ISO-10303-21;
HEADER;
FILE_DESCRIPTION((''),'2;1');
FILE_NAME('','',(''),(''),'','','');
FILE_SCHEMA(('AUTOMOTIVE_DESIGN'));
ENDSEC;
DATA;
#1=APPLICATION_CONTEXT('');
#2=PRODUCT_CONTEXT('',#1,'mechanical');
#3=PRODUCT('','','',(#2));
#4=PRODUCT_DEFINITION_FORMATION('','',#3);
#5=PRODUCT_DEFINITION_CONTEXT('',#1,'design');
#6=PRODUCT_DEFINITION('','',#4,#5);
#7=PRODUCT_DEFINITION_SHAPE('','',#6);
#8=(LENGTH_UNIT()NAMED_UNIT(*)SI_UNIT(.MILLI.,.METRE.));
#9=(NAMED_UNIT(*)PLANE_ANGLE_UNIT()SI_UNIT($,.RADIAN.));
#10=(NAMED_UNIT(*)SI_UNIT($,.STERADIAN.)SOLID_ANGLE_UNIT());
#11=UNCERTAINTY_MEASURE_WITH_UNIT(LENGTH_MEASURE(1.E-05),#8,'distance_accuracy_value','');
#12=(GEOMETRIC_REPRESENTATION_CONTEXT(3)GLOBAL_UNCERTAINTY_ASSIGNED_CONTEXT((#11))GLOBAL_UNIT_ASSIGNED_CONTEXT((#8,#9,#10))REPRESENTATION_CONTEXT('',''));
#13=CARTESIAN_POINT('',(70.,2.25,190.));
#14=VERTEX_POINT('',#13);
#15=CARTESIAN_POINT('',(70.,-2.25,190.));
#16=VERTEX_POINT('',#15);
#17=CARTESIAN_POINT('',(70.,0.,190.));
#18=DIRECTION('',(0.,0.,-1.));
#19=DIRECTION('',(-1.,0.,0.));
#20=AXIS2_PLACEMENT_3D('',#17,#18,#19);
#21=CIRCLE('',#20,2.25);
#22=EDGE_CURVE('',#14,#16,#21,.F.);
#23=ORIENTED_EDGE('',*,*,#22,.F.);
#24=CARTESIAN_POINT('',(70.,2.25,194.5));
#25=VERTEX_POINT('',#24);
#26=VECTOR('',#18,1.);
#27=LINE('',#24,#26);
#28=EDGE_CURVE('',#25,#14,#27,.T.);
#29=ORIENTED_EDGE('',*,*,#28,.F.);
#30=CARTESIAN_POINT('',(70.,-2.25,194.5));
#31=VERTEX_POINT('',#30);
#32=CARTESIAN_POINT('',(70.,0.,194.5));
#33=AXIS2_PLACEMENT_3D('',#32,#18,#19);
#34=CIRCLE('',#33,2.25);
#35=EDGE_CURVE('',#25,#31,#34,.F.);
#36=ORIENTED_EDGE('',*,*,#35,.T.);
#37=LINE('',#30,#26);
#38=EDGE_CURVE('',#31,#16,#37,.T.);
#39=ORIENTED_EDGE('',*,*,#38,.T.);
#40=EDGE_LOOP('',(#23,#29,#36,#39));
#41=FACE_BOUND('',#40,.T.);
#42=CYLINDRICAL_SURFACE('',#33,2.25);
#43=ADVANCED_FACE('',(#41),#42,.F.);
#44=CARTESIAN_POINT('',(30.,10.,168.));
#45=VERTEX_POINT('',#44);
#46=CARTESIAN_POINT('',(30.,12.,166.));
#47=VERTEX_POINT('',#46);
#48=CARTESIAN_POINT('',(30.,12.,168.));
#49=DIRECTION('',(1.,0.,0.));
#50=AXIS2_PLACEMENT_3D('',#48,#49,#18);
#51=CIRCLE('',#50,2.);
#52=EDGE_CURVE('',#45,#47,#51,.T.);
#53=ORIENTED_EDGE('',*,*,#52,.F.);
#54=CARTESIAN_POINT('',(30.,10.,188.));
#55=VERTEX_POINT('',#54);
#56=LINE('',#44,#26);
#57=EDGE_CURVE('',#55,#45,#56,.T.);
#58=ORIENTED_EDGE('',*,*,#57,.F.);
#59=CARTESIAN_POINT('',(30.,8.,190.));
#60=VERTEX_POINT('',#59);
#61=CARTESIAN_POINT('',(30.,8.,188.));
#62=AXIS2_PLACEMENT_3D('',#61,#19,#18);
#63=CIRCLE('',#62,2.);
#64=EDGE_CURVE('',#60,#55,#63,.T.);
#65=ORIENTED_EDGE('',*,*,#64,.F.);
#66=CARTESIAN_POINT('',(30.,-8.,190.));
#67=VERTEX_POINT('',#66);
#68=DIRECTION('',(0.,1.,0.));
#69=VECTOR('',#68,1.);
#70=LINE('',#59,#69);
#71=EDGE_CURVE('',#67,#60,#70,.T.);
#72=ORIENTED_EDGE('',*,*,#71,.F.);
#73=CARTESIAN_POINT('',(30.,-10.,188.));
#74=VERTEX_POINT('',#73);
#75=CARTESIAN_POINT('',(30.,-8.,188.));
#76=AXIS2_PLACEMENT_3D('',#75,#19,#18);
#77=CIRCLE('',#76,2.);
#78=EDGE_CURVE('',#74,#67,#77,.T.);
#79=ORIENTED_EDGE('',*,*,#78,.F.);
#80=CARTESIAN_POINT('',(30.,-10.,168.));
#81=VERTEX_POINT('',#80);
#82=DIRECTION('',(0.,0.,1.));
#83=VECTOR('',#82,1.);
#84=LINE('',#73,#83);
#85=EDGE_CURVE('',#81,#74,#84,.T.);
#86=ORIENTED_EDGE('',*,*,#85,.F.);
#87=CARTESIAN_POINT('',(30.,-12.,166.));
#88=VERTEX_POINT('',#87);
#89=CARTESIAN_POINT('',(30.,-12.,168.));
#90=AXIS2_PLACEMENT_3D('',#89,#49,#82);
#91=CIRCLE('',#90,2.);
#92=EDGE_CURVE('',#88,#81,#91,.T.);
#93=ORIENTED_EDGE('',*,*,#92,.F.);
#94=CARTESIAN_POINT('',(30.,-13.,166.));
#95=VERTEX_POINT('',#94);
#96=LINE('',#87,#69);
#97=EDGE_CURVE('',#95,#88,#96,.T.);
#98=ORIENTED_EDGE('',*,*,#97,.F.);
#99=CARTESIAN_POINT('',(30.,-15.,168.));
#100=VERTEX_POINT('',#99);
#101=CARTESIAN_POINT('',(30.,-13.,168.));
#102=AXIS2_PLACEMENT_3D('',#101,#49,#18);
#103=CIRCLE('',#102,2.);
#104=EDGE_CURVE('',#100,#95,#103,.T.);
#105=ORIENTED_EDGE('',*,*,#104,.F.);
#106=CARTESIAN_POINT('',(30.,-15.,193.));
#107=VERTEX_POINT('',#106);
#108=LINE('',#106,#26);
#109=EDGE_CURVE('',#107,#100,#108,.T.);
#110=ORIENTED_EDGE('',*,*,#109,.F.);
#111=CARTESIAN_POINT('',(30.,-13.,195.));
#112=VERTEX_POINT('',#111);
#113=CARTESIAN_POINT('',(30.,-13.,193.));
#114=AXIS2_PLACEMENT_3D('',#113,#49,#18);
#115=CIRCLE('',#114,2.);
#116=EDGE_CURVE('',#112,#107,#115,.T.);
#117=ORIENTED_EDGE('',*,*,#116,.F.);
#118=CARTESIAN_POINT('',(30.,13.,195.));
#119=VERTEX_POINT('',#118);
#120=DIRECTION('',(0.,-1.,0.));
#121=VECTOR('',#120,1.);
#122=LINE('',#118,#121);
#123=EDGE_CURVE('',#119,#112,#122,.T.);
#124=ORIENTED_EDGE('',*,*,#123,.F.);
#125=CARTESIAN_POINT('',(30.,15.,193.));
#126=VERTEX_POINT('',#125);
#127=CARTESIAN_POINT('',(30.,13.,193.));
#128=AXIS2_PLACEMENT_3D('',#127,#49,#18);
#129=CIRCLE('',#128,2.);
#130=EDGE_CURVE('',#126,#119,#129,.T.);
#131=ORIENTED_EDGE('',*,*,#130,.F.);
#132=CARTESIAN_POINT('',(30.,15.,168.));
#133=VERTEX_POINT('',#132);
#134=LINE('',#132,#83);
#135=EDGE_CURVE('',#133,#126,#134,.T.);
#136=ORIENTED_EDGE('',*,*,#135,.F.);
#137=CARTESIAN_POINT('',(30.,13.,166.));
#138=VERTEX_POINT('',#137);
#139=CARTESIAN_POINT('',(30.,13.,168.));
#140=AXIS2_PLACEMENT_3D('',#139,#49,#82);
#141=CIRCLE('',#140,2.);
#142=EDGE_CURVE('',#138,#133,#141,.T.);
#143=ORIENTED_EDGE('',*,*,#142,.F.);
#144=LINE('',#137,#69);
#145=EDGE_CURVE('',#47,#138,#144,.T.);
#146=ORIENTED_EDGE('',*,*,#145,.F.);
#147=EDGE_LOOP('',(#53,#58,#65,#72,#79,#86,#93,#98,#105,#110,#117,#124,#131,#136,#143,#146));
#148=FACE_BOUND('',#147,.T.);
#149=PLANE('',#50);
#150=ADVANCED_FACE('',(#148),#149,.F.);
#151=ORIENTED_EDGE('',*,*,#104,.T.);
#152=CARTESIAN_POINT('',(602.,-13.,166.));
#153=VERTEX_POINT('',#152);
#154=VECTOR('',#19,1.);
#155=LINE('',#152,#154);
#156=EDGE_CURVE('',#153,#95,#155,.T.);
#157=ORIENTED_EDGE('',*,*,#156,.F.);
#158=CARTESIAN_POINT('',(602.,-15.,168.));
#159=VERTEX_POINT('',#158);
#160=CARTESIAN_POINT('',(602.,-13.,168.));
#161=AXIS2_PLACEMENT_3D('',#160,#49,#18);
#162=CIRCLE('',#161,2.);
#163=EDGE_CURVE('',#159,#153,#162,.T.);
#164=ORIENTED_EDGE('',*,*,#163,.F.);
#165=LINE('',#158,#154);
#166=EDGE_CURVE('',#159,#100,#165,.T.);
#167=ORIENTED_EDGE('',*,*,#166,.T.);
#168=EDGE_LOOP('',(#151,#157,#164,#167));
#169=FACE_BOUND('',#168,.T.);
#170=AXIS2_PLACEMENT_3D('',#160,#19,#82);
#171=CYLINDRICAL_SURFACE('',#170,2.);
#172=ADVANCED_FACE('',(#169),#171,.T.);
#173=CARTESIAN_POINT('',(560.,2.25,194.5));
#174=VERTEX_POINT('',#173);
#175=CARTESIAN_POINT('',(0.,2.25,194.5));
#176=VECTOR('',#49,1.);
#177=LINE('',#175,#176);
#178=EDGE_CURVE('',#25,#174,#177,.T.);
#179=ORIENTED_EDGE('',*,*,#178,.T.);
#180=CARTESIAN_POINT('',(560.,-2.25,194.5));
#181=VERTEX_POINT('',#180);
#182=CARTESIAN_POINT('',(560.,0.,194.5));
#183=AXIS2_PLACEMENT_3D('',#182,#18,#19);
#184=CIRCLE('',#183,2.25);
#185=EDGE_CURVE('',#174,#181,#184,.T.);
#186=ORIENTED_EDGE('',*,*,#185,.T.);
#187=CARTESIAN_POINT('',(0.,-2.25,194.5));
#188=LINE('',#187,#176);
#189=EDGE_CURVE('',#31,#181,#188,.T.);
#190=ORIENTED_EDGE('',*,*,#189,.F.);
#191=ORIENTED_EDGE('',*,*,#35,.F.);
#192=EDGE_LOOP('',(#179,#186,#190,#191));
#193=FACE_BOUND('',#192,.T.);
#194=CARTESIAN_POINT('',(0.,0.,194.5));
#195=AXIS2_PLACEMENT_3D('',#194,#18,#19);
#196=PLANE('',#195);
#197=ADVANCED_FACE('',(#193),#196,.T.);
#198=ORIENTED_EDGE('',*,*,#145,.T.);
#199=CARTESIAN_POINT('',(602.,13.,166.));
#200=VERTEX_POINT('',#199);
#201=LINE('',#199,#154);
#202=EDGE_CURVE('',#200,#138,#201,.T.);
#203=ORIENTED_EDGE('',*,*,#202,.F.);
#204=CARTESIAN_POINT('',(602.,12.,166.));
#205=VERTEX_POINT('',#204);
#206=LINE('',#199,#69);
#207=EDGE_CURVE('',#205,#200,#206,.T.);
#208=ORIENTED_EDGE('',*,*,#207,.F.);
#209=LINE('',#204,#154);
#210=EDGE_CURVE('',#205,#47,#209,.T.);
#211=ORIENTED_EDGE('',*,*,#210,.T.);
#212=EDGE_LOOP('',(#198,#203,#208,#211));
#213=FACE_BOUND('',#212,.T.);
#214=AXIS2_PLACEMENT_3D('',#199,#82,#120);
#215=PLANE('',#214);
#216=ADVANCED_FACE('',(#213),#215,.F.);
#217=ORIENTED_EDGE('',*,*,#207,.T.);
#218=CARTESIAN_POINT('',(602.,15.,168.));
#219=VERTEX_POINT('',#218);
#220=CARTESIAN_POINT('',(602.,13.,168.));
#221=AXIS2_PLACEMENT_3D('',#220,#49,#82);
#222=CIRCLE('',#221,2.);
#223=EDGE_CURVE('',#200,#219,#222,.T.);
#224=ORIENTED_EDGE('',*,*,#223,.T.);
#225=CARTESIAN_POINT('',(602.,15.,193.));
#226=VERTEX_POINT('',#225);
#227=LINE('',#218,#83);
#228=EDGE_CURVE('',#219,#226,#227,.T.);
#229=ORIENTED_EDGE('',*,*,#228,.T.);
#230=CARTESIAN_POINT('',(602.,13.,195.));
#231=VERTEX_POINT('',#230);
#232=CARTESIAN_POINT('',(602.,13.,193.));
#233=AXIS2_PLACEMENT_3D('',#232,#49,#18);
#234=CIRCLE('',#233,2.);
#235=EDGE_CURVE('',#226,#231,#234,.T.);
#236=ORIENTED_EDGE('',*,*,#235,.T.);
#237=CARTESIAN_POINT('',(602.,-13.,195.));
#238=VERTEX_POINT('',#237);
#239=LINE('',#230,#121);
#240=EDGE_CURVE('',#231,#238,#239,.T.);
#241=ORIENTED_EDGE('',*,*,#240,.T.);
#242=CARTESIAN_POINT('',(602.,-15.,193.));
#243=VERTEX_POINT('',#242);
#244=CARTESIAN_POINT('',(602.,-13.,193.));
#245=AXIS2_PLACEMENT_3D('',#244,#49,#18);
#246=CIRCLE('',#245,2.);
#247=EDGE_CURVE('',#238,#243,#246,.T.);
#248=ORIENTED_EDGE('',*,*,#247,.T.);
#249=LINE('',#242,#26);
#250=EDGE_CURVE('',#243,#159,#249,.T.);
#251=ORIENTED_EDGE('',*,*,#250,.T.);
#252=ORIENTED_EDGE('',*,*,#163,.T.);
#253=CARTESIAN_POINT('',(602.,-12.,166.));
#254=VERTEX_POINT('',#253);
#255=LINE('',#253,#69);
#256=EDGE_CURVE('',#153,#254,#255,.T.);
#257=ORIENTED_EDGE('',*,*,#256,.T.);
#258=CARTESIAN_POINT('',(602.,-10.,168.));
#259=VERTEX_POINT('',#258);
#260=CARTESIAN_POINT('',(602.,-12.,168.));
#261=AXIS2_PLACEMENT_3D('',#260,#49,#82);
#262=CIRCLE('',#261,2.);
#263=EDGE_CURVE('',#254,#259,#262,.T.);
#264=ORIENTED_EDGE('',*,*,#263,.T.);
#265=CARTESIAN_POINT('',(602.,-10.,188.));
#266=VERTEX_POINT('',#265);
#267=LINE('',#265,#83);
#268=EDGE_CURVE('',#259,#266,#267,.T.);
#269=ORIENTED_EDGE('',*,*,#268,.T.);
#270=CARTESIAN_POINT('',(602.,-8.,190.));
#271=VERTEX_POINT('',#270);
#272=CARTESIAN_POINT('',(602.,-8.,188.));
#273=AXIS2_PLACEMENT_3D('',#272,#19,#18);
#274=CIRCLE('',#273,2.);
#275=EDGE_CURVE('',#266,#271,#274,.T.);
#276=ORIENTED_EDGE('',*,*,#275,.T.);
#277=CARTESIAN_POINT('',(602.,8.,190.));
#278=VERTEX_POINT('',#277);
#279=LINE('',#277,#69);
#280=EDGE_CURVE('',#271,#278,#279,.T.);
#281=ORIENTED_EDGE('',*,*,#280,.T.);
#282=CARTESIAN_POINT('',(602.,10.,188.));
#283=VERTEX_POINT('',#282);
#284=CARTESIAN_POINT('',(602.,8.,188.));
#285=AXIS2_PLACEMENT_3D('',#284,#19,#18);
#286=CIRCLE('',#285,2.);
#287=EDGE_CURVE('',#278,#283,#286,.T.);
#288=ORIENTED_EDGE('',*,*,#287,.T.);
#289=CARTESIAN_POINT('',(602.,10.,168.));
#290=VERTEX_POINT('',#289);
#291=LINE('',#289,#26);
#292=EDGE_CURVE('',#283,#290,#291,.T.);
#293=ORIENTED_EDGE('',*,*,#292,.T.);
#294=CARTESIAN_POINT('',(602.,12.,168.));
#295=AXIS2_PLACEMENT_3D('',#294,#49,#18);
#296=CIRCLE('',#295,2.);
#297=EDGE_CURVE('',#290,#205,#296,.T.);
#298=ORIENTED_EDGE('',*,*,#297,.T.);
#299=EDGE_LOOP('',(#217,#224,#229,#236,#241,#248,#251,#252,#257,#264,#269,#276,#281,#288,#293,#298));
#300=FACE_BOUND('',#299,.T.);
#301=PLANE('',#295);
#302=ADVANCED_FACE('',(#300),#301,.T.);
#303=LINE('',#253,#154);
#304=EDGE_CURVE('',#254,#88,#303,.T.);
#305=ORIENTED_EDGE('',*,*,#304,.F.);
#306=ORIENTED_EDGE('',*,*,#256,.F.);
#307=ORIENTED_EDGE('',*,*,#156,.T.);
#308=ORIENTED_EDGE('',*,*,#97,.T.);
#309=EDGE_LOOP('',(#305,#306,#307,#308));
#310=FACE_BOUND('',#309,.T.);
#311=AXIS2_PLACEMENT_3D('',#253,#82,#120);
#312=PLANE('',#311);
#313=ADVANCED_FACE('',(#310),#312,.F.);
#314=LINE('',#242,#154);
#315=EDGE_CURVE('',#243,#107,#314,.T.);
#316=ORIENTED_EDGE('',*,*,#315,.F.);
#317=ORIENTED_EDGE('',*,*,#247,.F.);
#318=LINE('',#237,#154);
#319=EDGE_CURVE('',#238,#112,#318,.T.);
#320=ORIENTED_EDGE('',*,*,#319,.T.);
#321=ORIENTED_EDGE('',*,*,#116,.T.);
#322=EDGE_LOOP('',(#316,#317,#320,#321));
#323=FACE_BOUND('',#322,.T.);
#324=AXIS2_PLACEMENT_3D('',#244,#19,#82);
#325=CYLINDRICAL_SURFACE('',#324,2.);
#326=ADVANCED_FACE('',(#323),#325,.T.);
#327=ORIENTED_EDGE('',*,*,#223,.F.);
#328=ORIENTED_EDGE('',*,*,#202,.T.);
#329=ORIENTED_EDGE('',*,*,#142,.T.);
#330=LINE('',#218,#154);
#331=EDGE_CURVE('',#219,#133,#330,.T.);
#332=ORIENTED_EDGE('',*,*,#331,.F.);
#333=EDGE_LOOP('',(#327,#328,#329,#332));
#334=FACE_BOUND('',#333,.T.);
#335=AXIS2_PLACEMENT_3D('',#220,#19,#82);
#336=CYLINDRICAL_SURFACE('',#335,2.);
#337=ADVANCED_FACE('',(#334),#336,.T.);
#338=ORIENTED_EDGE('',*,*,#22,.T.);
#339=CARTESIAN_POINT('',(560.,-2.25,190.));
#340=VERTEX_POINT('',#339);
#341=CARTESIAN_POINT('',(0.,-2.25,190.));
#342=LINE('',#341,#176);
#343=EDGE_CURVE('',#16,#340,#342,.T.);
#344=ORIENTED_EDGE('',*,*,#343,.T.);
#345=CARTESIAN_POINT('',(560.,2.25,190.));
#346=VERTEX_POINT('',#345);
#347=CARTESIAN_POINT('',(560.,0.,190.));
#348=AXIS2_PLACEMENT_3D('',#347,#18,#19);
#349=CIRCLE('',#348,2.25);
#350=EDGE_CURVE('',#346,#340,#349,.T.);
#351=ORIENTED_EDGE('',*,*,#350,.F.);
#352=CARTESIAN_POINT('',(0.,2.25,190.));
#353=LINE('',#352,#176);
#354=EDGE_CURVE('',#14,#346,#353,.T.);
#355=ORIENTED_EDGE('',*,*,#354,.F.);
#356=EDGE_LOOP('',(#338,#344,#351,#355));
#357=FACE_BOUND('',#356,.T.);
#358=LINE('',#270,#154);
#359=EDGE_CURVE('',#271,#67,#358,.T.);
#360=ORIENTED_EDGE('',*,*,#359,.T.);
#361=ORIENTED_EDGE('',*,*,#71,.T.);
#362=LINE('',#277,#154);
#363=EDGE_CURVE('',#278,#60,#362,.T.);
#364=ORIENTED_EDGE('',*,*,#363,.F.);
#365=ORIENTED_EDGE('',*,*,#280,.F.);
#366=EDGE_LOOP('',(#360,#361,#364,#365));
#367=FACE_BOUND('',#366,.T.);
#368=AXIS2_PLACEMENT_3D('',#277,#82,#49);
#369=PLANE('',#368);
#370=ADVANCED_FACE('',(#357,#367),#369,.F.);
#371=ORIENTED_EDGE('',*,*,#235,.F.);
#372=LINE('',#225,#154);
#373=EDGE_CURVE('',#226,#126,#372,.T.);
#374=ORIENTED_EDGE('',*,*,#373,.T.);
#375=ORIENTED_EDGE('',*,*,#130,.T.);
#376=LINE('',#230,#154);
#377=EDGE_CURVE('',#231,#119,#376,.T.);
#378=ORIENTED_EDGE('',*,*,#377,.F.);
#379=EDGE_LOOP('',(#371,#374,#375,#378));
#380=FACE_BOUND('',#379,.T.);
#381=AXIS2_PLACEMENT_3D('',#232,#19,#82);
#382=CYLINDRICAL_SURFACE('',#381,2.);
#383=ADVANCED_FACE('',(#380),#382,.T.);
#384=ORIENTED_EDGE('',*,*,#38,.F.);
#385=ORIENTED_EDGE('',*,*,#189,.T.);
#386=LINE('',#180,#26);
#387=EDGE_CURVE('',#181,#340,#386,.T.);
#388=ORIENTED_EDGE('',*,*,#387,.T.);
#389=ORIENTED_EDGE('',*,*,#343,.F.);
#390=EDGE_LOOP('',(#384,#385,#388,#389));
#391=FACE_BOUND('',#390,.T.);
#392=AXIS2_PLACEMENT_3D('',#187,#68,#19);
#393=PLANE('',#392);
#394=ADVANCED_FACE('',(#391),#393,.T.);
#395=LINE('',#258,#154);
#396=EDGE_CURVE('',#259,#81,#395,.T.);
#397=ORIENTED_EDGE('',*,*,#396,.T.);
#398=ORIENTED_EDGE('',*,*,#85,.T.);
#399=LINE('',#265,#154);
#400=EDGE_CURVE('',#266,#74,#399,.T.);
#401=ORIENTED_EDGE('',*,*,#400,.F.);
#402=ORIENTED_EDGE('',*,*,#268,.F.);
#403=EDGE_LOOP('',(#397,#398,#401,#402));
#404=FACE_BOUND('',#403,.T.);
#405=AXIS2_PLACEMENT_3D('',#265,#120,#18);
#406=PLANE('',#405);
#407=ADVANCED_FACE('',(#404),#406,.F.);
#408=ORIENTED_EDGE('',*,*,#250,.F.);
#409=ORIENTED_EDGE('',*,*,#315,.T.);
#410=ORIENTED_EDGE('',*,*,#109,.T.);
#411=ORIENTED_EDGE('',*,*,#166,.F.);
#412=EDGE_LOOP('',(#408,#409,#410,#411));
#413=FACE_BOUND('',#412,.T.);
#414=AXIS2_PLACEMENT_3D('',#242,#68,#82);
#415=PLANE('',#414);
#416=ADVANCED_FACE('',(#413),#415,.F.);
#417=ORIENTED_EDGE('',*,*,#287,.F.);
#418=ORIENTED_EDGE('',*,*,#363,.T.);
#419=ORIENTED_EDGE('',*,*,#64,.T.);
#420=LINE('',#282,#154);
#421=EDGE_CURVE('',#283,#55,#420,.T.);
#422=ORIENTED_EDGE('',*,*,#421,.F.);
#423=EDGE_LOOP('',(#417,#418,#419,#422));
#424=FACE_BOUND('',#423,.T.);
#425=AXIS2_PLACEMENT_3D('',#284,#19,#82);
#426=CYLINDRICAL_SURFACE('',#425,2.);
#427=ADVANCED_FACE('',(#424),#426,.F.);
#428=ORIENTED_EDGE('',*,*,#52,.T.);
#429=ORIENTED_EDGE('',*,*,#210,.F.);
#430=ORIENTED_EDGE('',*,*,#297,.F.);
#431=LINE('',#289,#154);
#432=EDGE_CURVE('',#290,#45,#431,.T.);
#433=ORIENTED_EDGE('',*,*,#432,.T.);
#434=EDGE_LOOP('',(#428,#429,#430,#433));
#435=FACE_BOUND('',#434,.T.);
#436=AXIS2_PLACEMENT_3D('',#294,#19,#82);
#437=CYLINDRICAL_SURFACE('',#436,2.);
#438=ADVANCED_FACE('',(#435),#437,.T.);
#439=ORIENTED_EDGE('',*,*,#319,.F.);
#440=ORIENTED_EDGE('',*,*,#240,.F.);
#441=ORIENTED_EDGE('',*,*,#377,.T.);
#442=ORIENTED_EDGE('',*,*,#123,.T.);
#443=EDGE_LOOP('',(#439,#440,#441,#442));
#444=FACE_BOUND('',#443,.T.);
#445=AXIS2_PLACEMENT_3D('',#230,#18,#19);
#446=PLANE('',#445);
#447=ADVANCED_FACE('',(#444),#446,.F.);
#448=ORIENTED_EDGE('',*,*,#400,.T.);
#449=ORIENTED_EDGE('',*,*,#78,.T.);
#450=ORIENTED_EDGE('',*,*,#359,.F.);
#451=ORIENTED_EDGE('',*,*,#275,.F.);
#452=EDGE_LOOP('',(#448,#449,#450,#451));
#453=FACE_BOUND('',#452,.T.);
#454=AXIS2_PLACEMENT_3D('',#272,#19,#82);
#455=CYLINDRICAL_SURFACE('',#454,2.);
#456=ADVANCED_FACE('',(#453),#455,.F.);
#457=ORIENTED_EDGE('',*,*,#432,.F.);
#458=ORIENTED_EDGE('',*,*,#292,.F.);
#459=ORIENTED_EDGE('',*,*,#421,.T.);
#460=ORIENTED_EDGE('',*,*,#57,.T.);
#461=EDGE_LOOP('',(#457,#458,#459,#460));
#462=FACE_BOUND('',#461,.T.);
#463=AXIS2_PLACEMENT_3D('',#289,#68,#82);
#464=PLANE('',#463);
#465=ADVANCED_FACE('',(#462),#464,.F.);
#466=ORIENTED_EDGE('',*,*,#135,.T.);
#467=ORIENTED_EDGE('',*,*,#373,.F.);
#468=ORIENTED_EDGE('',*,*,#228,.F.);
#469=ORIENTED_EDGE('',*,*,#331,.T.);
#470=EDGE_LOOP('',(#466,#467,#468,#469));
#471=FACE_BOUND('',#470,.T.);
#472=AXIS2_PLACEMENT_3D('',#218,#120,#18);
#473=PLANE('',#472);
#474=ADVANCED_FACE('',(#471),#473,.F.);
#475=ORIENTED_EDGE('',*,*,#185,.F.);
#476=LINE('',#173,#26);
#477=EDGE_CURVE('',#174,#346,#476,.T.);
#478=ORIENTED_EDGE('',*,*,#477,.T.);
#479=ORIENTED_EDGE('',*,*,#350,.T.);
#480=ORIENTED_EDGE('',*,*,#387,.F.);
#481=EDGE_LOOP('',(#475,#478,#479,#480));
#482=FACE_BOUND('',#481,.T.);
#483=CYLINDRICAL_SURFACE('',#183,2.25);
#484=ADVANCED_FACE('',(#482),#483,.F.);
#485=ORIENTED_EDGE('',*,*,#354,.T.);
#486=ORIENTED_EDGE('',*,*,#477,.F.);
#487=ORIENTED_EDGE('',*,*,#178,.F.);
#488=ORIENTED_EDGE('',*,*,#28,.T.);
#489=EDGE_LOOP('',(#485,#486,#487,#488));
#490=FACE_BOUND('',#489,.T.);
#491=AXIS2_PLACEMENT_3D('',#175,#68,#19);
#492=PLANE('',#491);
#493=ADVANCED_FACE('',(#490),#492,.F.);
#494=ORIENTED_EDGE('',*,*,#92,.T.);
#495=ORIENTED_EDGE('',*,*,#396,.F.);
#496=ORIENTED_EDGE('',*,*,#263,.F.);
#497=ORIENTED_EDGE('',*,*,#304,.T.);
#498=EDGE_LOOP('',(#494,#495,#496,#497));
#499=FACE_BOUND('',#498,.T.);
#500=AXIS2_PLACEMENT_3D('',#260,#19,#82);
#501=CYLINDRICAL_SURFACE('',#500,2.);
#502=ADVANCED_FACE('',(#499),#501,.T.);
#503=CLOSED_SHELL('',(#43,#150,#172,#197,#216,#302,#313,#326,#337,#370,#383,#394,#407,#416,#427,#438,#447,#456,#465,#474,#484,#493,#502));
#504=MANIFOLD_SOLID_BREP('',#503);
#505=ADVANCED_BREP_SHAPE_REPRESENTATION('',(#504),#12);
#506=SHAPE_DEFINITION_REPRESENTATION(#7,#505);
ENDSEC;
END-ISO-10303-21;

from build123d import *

# Parameters (mm, degrees)
BOSS_EXTRUDE1_START = 30
BOSS_EXTRUDE1_DEPTH = 572
CUT_EXTRUDE1_DEPTH  = 4.5


with BuildPart() as part:
    # Sketch1 → Boss-Extrude1 (new body)
    with BuildSketch(Plane(origin=(0, 0, 0), x_dir=(0, 0, -1), z_dir=(1, 0, 0)).offset(BOSS_EXTRUDE1_START)):
        with BuildLine():
            Line((-168, 10), (-188, 10))
            ThreePointArc((-188, 10), (-189.414213562, 9.414213562), (-190, 8))
            Line((-190, 8), (-190, -8))
            ThreePointArc((-190, -8), (-189.414213562, -9.414213562), (-188, -10))
            Line((-188, -10), (-168, -10))
            ThreePointArc((-168, -10), (-166.585786438, -10.585786438), (-166, -12))
            Line((-166, -12), (-166, -13))
            ThreePointArc((-166, -13), (-166.585786438, -14.414213562), (-168, -15))
            Line((-168, -15), (-193, -15))
            ThreePointArc((-193, -15), (-194.414213562, -14.414213562), (-195, -13))
            Line((-195, -13), (-195, 13))
            ThreePointArc((-195, 13), (-194.414213562, 14.414213562), (-193, 15))
            Line((-193, 15), (-168, 15))
            ThreePointArc((-168, 15), (-166.585786438, 14.414213562), (-166, 13))
            Line((-166, 13), (-166, 12))
            ThreePointArc((-166, 12), (-166.585786438, 10.585786438), (-168, 10))
        make_face()
    extrude(amount=BOSS_EXTRUDE1_DEPTH)

    # Sketch2 → Cut-Extrude1 (cut)
    with BuildSketch(Plane(origin=(0, 0, 190), x_dir=(-1, 0, 0), z_dir=(0, 0, -1))):
        with BuildLine():
            ThreePointArc((-67.75, 0), (-68.409009742, 1.590990258), (-70, 2.25))
            Line((-70, 2.25), (-560, 2.25))
            ThreePointArc((-560, 2.25), (-561.590990258, 1.590990258), (-562.25, 0))
            Line((-562.25, 0), (-67.75, 0))
        make_face()
        with BuildLine():
            ThreePointArc((-70, -2.25), (-68.409009742, -1.590990258), (-67.75, 0))
            Line((-67.75, 0), (-562.25, 0))
            ThreePointArc((-562.25, 0), (-561.590990258, -1.590990258), (-560, -2.25))
            Line((-560, -2.25), (-70, -2.25))
        make_face()
    extrude(amount=-CUT_EXTRUDE1_DEPTH, mode=Mode.SUBTRACT)


solid = part.part
